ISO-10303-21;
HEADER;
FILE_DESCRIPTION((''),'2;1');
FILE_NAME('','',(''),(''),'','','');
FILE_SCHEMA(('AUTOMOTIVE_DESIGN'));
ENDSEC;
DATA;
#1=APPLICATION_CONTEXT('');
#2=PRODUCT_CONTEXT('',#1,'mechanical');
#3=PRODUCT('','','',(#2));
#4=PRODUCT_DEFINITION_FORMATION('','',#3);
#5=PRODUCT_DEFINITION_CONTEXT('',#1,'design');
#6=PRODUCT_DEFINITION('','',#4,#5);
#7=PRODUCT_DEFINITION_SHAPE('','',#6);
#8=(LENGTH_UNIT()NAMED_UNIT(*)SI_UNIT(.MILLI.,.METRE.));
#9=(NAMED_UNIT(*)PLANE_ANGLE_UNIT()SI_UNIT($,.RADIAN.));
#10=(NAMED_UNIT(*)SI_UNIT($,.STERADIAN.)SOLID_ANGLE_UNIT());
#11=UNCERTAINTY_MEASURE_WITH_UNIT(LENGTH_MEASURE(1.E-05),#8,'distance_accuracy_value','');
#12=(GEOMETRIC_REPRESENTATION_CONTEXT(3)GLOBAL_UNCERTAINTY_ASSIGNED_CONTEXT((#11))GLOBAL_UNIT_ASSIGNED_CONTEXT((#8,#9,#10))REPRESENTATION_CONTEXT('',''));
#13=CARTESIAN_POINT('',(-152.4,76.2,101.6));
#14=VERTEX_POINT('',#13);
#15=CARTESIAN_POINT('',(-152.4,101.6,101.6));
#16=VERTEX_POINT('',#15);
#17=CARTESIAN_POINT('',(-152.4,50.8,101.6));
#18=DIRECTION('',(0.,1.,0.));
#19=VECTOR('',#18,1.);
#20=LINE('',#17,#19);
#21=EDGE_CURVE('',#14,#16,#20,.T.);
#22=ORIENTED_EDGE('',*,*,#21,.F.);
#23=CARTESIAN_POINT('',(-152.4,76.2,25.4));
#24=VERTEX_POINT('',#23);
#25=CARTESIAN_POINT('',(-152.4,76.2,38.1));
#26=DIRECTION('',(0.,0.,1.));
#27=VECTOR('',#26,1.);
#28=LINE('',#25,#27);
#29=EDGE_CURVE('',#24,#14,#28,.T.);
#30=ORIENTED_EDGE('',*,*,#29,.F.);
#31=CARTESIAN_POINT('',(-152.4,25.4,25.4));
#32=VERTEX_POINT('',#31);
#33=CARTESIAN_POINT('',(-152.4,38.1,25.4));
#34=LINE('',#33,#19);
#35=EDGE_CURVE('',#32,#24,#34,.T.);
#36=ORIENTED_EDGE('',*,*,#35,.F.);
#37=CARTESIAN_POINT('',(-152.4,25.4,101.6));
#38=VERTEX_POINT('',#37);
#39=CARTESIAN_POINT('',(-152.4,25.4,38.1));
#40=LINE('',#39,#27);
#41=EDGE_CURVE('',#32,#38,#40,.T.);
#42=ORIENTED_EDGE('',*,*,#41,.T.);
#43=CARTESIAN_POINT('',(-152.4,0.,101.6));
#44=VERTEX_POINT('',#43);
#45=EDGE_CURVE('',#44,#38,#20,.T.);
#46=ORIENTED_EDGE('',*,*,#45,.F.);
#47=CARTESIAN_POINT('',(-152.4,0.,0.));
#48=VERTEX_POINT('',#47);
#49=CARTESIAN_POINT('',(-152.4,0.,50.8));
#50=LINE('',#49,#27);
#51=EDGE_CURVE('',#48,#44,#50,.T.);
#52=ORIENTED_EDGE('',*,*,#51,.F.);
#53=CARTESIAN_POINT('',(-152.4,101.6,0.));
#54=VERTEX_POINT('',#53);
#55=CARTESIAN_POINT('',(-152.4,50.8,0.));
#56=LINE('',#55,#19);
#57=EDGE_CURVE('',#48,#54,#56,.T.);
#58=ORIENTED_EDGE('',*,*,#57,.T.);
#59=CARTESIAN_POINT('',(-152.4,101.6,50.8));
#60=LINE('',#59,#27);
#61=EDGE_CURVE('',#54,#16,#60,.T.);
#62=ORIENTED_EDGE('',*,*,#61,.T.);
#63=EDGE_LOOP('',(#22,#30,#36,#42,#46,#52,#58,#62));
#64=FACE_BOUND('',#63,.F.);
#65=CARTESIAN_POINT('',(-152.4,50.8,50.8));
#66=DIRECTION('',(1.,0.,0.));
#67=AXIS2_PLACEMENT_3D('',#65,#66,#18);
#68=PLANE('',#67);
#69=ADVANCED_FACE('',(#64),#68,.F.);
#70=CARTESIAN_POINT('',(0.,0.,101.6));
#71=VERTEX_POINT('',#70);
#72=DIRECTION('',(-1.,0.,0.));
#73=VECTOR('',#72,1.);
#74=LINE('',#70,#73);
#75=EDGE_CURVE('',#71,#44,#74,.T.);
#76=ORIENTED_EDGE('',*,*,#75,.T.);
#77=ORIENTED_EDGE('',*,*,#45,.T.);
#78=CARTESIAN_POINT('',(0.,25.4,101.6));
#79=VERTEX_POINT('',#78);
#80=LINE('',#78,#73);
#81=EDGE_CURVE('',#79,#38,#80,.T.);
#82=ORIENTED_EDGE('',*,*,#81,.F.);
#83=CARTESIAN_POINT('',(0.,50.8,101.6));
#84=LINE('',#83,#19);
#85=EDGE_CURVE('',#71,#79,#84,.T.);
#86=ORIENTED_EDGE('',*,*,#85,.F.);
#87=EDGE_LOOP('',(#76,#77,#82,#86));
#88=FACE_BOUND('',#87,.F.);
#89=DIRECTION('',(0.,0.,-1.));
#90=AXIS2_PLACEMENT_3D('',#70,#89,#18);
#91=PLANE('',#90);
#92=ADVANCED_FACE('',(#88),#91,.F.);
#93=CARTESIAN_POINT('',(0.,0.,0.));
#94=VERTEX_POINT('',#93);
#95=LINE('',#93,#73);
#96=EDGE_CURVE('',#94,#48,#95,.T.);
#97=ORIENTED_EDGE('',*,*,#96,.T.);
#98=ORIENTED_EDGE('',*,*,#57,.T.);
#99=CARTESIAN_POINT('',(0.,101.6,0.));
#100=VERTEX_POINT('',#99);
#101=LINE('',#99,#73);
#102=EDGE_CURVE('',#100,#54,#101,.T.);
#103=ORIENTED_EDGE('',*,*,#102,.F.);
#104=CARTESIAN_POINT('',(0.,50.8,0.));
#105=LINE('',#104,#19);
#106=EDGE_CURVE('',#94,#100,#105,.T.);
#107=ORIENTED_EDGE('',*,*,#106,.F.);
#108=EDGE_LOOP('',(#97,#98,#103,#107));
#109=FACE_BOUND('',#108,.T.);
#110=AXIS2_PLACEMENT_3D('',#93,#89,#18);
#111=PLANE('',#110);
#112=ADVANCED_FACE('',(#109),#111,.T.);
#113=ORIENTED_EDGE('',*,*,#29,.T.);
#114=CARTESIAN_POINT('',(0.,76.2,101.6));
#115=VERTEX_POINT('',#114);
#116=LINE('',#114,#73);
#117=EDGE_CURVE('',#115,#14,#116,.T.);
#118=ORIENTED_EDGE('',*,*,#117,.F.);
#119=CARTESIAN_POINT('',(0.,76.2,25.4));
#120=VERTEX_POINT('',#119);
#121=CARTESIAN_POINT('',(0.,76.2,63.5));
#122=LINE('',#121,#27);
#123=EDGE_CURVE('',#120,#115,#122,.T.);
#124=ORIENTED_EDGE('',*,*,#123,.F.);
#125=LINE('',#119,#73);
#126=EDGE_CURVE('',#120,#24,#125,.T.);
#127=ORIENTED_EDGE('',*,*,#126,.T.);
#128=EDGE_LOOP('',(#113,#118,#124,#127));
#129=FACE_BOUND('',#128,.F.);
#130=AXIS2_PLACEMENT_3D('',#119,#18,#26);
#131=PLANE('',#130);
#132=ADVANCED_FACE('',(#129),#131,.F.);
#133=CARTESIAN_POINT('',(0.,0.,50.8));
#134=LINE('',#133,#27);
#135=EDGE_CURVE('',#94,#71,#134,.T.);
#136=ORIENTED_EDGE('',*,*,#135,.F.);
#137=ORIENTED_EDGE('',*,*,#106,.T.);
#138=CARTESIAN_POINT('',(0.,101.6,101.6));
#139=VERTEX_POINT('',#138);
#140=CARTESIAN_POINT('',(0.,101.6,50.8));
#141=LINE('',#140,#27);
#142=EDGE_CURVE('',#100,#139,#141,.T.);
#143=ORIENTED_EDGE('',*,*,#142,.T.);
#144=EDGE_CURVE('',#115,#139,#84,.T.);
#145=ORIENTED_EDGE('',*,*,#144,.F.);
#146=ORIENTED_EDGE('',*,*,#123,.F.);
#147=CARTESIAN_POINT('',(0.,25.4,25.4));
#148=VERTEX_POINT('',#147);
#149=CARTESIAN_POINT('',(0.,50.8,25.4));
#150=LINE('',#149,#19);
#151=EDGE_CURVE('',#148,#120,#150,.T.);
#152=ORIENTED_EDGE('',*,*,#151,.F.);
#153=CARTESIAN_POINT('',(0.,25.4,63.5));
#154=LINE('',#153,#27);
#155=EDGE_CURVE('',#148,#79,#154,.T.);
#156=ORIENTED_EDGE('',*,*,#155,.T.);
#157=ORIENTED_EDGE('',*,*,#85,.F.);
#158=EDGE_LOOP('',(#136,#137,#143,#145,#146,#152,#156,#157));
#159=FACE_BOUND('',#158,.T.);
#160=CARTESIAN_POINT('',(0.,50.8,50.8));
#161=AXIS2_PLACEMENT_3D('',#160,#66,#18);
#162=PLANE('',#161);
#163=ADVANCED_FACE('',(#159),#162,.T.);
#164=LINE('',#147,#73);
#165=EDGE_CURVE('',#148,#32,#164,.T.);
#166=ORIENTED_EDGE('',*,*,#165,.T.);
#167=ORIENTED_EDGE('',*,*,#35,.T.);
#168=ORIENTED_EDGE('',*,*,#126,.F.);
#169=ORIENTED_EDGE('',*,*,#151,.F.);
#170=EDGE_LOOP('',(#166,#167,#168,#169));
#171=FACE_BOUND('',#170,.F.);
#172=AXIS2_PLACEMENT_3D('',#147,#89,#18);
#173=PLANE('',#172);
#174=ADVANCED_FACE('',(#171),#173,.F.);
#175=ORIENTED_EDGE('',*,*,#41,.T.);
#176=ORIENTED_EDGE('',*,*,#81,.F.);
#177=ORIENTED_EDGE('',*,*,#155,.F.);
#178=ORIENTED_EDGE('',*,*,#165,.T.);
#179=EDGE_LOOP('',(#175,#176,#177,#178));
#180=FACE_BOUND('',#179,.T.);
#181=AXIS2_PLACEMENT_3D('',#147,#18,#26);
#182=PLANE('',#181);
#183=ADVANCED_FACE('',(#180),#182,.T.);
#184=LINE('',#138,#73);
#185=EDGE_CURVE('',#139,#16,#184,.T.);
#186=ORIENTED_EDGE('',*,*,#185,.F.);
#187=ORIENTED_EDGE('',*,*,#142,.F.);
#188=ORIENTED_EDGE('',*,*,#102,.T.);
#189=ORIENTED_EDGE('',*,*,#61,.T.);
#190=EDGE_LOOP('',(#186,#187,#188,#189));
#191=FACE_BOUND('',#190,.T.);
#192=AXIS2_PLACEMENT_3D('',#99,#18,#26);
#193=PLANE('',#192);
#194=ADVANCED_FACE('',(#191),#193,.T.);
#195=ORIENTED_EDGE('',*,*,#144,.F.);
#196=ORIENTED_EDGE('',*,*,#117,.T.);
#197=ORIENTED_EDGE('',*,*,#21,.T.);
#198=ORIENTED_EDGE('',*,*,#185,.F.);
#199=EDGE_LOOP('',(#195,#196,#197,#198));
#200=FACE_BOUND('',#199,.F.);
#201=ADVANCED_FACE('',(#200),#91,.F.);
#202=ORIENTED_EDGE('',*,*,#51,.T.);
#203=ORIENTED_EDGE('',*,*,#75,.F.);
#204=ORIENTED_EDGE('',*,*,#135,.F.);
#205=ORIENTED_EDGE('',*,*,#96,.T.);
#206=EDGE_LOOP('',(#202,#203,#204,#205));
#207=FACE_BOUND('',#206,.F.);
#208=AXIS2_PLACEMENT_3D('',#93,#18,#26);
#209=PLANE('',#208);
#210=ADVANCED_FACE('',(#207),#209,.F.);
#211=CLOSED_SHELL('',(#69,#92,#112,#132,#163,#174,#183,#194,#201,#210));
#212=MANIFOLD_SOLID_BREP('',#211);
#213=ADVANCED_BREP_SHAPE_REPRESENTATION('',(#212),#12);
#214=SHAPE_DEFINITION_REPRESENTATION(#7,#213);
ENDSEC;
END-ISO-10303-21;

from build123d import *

# Parameters (mm, degrees)
F0_W     = 101.6
F0_H     = 101.6
F1_DEPTH = 152.4
F2_W     = 50.8
F2_H     = 76.2
F3_DEPTH = 152.401


with BuildPart() as f1:
    # F0 (on Right) → F1 (new body)
    with BuildSketch(Plane.YZ):
        with Locations((50.8, 50.8)):
            Rectangle(F0_W, F0_H)
    extrude(amount=-F1_DEPTH)

    # F2 (on face) → F3 (cut, through all)
    with BuildSketch(Plane.YZ):
        with Locations((50.8, 63.5)):
            Rectangle(F2_W, F2_H)
    extrude(amount=-F3_DEPTH, mode=Mode.SUBTRACT)


solid = f1.part
